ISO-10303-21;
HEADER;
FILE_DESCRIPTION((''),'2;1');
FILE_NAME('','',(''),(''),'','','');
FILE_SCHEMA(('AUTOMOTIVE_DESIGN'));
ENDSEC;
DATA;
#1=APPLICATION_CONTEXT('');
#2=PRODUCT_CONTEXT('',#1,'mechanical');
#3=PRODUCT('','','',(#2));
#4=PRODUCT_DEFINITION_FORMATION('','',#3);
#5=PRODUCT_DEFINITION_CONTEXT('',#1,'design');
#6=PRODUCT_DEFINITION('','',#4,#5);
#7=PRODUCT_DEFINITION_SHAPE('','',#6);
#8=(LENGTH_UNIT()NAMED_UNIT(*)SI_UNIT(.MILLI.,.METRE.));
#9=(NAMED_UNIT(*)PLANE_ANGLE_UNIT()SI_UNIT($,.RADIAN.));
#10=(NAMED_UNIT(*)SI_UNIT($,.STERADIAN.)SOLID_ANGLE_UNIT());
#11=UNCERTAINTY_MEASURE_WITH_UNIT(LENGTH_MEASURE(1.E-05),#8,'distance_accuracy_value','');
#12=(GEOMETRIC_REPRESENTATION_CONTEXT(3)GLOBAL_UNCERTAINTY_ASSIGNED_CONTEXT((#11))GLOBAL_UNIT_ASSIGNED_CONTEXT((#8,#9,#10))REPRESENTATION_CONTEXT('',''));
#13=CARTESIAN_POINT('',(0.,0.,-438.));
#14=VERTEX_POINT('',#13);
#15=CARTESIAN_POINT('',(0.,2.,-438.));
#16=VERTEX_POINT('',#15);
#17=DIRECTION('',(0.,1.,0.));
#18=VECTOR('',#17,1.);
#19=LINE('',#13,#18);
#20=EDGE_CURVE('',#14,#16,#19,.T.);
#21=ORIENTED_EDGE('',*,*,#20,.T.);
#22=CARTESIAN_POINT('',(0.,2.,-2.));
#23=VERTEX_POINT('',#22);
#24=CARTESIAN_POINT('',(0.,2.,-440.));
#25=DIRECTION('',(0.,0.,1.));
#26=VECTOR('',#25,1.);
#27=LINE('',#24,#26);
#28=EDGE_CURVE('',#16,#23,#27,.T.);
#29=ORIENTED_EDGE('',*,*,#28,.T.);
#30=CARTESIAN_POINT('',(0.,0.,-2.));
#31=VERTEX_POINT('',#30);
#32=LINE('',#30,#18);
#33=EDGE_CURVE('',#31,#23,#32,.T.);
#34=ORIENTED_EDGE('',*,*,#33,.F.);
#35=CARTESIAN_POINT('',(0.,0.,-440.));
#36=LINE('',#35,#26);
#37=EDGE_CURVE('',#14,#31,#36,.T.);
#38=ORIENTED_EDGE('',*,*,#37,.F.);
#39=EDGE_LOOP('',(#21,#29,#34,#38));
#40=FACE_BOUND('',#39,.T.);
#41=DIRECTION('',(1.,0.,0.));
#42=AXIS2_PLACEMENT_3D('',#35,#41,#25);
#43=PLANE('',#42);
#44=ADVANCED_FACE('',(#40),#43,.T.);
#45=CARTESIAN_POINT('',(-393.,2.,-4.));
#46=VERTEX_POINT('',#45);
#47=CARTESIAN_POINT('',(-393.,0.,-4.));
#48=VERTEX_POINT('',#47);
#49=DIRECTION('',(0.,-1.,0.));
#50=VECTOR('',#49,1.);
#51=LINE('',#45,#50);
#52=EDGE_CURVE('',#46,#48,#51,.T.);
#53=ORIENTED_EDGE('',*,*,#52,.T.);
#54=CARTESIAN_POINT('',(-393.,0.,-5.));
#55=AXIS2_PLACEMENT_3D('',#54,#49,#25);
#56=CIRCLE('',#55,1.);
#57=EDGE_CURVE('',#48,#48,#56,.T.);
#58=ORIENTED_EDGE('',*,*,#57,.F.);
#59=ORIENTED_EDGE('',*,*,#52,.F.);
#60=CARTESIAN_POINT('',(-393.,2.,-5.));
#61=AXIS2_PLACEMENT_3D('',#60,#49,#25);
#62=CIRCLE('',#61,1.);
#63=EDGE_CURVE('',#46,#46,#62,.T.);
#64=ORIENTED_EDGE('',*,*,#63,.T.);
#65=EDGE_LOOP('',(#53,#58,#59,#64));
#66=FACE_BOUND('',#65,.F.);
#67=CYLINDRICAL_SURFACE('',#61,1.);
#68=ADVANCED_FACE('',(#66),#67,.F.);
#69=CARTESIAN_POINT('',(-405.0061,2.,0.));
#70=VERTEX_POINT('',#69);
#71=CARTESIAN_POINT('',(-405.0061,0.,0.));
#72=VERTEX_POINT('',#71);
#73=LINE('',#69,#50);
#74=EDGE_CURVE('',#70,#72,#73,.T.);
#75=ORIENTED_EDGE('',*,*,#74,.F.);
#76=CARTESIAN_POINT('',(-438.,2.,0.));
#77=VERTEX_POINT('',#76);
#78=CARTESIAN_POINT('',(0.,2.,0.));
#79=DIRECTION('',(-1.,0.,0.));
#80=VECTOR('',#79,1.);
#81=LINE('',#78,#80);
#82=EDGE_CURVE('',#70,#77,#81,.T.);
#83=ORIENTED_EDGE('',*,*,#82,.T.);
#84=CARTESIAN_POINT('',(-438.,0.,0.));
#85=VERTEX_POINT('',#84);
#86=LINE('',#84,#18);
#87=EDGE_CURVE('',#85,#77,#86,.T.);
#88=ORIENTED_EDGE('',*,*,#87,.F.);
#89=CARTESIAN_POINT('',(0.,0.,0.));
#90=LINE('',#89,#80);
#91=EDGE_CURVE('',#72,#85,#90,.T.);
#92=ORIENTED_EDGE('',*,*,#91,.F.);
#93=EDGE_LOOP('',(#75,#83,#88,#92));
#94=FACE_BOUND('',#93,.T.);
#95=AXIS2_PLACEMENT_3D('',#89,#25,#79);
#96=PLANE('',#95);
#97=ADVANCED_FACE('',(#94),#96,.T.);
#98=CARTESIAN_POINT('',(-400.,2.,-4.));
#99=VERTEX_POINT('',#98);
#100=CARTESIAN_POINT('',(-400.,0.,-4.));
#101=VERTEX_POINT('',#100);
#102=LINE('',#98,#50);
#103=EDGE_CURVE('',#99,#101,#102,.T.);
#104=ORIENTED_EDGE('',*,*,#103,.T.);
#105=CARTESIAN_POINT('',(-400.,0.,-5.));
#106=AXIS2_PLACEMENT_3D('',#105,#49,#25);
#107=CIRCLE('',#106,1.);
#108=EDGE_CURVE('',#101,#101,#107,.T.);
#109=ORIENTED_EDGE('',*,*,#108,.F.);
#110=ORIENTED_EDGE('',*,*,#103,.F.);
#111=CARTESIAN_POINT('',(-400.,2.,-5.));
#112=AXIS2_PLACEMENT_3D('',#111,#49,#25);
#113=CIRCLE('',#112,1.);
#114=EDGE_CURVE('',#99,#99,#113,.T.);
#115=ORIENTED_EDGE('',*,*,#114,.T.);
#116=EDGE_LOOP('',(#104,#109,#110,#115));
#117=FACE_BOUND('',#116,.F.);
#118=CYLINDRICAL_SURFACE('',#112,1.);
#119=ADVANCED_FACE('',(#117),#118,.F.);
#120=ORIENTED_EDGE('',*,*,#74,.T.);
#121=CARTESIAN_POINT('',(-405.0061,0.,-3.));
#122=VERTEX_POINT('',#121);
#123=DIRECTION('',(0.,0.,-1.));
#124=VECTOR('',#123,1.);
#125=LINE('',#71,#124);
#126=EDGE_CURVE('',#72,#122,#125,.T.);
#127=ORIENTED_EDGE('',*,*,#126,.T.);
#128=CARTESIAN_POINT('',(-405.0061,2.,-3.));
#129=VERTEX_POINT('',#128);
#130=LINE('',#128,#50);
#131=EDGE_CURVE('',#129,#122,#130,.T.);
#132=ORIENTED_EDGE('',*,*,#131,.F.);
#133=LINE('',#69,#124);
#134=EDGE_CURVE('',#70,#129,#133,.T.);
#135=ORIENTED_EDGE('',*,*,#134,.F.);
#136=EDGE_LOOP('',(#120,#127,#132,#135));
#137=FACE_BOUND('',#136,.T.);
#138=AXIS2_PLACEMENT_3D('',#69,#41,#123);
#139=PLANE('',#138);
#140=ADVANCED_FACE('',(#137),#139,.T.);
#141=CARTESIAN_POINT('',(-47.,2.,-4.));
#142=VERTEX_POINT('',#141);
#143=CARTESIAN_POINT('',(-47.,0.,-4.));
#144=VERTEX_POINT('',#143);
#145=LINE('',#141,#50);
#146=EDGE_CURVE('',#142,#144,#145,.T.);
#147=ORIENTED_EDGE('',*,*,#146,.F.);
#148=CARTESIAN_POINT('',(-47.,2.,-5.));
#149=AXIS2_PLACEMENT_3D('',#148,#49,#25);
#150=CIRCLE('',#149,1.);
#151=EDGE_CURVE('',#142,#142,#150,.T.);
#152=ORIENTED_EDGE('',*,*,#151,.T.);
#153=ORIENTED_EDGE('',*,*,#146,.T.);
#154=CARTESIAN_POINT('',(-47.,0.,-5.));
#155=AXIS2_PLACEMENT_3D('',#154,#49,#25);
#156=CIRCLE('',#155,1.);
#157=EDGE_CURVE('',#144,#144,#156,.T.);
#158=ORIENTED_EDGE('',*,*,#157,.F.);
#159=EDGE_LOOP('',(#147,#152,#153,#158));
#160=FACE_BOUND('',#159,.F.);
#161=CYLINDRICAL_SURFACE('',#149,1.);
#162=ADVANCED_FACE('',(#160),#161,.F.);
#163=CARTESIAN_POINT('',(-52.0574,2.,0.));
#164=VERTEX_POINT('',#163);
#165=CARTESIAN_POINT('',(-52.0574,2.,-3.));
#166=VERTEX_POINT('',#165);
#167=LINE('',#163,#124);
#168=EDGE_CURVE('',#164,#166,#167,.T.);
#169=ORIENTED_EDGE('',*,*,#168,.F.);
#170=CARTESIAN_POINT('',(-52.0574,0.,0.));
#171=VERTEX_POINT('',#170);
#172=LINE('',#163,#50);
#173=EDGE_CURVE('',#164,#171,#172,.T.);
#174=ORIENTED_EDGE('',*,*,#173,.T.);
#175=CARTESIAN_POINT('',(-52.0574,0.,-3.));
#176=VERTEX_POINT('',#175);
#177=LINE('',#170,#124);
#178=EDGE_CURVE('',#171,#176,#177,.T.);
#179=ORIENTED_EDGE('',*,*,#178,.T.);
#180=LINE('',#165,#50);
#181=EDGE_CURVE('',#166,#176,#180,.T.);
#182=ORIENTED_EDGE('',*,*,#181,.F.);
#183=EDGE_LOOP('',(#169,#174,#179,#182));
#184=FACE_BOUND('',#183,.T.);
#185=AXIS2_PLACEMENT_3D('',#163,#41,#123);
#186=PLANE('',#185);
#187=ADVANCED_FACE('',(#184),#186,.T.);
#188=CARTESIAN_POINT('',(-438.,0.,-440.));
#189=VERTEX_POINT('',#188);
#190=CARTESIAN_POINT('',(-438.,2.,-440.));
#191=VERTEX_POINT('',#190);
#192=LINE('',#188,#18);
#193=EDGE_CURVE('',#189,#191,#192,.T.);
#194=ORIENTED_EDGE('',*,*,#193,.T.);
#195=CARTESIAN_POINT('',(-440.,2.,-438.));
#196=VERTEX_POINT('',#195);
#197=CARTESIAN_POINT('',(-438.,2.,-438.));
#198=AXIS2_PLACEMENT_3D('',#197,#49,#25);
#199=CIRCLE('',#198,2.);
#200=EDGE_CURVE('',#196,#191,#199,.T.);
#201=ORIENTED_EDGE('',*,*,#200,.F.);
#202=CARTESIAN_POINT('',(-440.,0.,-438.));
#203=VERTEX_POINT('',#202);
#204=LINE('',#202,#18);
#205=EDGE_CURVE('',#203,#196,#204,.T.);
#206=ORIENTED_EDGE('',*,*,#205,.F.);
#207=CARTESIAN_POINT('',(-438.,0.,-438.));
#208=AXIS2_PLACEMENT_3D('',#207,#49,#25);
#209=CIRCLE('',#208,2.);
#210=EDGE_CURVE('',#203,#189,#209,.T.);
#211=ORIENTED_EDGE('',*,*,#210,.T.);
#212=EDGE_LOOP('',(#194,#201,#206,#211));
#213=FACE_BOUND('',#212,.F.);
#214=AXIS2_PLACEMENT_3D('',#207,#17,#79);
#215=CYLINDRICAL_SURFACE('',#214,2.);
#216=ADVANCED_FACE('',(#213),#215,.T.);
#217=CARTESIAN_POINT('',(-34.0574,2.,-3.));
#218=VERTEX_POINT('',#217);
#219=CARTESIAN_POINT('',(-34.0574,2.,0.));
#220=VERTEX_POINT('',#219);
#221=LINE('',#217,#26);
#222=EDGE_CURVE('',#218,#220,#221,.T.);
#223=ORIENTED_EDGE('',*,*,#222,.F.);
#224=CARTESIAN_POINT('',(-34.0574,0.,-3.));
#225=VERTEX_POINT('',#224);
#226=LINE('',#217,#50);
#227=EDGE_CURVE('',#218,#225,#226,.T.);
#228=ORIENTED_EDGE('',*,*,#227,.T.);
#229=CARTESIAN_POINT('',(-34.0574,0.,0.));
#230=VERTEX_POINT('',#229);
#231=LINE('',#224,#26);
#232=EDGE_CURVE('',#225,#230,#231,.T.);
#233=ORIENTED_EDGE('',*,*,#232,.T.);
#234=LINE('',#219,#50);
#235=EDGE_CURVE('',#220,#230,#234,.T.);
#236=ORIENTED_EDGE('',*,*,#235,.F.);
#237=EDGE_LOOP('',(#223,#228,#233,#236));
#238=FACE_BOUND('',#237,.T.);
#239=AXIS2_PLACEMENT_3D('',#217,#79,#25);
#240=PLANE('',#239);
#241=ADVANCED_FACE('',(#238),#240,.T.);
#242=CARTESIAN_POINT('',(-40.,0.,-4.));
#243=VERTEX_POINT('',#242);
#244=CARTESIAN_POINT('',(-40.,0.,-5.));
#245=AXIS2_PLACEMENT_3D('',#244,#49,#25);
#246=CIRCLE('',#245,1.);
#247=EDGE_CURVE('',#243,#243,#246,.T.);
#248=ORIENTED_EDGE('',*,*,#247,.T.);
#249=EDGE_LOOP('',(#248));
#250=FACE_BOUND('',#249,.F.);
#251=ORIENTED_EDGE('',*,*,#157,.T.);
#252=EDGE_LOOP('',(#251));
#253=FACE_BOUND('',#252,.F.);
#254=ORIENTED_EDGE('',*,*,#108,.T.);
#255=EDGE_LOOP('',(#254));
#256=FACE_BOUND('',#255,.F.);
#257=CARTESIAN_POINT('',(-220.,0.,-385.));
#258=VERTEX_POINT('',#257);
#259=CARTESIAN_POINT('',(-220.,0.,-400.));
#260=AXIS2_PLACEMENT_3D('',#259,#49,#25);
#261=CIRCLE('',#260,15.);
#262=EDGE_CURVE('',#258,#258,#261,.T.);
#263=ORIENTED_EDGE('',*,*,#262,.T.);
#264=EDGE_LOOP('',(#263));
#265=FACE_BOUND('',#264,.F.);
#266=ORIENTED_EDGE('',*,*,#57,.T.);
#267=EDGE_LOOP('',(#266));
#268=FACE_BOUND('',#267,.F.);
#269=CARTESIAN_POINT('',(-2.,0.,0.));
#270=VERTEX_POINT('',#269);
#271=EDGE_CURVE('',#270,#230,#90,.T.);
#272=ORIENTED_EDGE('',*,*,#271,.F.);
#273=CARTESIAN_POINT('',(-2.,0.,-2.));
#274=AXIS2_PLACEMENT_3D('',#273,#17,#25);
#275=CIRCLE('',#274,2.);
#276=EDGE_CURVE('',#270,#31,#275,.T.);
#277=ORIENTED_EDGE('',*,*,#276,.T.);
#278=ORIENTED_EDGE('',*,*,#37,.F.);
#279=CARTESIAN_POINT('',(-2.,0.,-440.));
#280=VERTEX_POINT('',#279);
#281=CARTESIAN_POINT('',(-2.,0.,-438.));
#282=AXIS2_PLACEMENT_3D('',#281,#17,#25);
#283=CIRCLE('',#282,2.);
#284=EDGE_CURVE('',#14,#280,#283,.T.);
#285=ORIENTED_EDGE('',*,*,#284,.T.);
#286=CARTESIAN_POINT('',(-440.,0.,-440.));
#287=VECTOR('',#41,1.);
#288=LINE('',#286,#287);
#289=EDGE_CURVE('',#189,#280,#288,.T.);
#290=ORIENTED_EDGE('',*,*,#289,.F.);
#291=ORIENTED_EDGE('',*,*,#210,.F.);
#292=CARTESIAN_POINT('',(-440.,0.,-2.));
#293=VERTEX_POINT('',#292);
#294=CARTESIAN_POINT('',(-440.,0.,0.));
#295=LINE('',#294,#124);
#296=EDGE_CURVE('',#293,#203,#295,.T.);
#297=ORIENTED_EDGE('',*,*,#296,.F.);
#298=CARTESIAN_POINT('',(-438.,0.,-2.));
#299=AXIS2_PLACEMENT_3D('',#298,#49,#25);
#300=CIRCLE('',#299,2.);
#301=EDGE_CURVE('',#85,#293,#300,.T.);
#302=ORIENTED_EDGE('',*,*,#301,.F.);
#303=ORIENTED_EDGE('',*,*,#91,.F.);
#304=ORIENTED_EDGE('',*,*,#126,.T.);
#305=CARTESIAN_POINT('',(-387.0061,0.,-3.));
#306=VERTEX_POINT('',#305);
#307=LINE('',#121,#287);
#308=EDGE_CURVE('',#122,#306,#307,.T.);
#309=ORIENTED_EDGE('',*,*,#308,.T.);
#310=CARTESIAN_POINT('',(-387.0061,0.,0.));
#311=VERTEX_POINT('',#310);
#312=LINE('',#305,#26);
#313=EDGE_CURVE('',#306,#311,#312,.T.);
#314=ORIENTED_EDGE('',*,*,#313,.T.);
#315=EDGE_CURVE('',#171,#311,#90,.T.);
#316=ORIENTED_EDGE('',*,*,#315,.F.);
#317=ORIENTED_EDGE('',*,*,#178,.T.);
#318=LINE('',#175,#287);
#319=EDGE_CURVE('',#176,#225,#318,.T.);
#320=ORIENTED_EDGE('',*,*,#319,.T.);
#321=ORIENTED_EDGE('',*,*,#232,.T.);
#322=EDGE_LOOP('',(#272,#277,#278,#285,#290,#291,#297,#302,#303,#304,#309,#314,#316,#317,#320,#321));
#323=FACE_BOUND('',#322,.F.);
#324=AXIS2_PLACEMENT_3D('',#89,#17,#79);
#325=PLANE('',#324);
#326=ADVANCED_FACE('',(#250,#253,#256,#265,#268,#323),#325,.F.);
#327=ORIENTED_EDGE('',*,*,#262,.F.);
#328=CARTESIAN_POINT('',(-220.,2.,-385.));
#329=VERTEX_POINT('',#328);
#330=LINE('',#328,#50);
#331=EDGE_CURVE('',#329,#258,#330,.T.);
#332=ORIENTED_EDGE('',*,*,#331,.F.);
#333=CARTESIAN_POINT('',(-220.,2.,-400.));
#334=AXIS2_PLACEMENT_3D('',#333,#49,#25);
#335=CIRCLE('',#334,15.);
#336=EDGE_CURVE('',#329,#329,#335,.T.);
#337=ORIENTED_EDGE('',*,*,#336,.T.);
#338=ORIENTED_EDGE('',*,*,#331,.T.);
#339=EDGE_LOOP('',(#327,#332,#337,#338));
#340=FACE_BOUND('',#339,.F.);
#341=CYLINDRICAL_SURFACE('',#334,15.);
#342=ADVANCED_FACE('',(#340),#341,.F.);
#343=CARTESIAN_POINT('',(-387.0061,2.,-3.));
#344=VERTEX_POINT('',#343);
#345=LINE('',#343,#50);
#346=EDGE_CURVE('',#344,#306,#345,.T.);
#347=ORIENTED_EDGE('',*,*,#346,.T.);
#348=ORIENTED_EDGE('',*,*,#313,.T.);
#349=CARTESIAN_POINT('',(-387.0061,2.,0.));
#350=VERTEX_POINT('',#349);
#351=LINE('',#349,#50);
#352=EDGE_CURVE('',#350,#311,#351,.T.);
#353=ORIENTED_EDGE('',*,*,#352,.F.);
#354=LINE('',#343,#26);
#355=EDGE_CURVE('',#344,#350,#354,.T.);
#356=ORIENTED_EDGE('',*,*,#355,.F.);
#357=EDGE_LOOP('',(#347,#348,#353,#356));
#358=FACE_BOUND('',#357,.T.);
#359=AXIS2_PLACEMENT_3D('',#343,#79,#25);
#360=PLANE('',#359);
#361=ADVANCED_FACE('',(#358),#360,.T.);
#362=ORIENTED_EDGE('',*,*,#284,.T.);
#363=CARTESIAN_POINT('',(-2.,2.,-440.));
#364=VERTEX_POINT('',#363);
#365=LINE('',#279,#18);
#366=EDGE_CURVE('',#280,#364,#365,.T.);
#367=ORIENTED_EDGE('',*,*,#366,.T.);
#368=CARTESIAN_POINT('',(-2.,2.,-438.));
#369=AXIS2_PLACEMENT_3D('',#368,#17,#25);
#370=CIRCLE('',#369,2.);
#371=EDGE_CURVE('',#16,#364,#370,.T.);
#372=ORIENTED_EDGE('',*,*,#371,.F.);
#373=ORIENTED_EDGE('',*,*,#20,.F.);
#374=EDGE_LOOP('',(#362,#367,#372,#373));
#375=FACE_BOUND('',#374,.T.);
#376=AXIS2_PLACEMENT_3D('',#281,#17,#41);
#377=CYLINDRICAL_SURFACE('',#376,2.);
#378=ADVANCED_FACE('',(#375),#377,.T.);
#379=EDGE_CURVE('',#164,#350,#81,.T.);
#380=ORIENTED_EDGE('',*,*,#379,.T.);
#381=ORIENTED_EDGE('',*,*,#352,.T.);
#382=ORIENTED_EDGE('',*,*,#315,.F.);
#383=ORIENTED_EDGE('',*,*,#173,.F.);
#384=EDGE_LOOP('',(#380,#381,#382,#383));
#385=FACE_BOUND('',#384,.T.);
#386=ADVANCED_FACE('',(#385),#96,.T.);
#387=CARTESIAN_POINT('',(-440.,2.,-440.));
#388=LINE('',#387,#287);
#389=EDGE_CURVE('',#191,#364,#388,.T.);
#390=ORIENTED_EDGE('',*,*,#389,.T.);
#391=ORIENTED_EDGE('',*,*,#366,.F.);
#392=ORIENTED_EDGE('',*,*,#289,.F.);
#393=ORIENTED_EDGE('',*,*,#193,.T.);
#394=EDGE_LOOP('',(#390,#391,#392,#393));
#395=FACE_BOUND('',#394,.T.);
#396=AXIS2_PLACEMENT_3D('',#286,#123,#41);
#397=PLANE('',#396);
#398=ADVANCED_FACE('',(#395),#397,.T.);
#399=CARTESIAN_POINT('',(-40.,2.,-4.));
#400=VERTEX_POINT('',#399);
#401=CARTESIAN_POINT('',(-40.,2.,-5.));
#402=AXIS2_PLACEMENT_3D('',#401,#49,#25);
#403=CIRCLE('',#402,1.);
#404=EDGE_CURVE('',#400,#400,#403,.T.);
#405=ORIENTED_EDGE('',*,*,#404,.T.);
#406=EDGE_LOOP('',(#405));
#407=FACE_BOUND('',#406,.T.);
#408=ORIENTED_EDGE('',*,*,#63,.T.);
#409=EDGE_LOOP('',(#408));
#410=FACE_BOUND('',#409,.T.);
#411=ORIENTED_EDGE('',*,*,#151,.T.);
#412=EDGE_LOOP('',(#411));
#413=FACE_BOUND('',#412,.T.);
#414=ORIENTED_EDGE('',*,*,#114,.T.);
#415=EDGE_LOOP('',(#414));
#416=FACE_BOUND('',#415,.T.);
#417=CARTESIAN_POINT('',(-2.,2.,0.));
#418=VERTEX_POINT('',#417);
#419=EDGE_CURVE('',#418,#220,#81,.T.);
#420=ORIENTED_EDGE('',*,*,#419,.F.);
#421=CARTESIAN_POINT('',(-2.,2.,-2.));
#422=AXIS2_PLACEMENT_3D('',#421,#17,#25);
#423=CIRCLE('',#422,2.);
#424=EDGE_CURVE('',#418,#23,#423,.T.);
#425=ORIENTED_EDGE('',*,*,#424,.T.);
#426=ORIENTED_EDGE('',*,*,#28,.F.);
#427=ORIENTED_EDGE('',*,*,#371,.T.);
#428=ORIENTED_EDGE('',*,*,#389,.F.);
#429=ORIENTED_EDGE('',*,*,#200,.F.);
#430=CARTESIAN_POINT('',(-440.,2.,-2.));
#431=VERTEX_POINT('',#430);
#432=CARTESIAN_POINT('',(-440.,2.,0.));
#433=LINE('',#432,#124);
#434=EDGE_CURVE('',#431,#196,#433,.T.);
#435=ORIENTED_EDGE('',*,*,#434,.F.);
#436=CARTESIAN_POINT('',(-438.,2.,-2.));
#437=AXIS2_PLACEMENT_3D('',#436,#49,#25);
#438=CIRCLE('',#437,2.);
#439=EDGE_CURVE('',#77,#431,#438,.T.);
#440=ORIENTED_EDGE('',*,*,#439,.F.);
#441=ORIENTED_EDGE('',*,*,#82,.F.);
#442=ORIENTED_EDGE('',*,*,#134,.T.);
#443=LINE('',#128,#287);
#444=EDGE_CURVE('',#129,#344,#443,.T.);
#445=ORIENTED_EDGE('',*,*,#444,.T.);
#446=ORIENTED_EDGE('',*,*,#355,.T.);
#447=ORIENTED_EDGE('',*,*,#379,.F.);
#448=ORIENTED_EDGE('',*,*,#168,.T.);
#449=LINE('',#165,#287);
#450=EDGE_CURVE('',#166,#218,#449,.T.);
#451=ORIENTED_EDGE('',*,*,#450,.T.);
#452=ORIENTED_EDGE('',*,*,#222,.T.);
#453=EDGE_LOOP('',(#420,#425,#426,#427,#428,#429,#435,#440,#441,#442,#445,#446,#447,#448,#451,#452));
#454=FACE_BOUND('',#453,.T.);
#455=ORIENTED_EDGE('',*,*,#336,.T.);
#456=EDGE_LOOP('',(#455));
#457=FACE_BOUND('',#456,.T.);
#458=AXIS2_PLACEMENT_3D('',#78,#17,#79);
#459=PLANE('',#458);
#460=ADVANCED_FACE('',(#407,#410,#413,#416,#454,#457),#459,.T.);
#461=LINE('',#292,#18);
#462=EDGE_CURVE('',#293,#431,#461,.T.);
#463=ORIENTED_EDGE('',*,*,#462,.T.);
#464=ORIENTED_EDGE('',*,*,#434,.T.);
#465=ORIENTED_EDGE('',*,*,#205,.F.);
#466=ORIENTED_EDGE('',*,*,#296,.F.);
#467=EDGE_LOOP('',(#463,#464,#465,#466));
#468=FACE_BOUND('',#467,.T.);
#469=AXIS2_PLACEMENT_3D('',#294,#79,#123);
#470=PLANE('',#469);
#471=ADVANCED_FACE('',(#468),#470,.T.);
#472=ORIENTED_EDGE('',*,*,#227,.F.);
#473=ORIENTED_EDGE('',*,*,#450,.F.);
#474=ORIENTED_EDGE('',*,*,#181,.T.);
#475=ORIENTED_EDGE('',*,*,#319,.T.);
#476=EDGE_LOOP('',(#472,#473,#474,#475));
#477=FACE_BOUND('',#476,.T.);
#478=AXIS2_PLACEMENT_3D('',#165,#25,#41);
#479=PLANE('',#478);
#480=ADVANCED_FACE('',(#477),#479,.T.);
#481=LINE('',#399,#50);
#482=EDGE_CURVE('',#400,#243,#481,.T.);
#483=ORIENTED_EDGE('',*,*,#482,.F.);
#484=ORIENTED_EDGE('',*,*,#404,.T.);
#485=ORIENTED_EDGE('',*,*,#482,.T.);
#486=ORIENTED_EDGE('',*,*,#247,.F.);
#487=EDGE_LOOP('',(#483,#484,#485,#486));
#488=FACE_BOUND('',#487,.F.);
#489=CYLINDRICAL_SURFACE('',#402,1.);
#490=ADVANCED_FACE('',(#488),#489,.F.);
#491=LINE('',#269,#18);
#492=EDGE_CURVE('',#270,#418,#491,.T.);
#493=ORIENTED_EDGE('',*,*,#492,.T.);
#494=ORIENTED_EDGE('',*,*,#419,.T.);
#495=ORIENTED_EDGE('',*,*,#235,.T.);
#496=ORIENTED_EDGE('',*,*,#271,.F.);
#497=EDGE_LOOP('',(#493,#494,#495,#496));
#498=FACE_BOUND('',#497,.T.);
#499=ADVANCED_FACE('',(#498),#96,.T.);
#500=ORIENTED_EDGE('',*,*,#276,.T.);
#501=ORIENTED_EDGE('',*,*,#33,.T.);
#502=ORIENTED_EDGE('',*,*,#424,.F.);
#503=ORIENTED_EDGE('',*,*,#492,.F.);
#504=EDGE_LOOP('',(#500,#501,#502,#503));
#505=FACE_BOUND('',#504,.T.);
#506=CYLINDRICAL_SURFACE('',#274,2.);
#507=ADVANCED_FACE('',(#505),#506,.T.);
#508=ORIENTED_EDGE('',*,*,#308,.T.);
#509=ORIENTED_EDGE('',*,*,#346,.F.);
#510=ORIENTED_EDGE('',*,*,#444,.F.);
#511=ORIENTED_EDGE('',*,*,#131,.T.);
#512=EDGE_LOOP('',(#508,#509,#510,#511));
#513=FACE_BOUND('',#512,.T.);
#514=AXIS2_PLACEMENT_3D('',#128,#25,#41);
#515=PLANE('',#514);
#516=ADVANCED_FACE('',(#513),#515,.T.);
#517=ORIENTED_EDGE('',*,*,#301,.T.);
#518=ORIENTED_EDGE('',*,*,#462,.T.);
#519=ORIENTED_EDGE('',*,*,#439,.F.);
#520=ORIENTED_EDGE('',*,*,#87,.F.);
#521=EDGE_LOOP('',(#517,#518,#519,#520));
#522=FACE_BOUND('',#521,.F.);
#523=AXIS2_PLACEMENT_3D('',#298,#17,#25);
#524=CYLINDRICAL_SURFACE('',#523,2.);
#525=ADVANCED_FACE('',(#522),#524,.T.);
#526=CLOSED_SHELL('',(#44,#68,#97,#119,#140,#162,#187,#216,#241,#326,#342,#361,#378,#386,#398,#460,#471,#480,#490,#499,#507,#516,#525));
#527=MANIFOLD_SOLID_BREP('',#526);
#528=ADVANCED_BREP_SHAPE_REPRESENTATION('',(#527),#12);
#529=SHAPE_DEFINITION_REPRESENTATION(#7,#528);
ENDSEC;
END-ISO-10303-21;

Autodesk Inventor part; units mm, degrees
ref_plane "YZ Plane" through (0, 0, 0) normal (1, 0, 0) x (0, 1, 0)
ref_plane "XZ Plane" through (0, 0, 0) normal (0, 1, 0) x (-1, 0, 0)
ref_plane "XY Plane" through (0, 0, 0) normal (0, 0, 1) x (1, 0, 0)
sketch "Esboço1" plane through (0, 0, 0) normal (0, 1, 0) x (-1, 0, 0)
  line L0 (0, 0) -> (440, 0)
  line L1 (440, 0) -> (440, -440)
  line L2 (440, -440) -> (0, -440)
  line L3 (0, -440) -> (0, 0)
  dimension "d0" = 440
  dimension "d1" = 440
extrude "Extrusão1" add sketch "Esboço1" along normal blind 2
sketch "Esboço2" plane through (0, 2, 0) normal (0, 1, 0) x (1, 0, 0)
  point P0 (0, 0)
  point P1 (-40, 5)
  point P2 (-47, 5)
  point P3 (-400, 5)
  point P4 (-393, 5)
hole "Furo1" at (-40, 2, -5) at (-47, 2, -5) at (-400, 2, -5) at (-393, 2, -5) direction (0, -1, 0) diameter 2 end through all
fillet "Arredondamento1" radius 2 4 edges at (0, 1, -440) (-440, 1, -440) (-440, 1, 0) (0, 1, 0)
sketch "Esboço3" plane through (0, 2, 0) normal (0, 1, 0) x (1, 0, 0)
  point P0 (0, 0)
  point P1 (-220, 400)
hole "Furo2" at (-220, 2, -400) direction (0, -1, 0) diameter 30 end through all
sketch "Esboço4" plane through (0, 2, 0) normal (0, 1, 0) x (1, 0, 0)
  line L0 (-438, 0) -> (-2, 0) projected
  line L1 (-34.0574, 0) -> (-52.0574, 0)
  line L2 (-52.0574, 0) -> (-52.0574, 3)
  line L3 (-52.0574, 3) -> (-34.0574, 3)
  line L4 (-34.0574, 3) -> (-34.0574, 0)
  line L5 (-387.0061, 0) -> (-405.0061, 0)
  line L6 (-405.0061, 0) -> (-405.0061, 3)
  line L7 (-405.0061, 3) -> (-387.0061, 3)
  line L8 (-387.0061, 3) -> (-387.0061, 0)
  point P0 (0, 0)
  dimension "d19" = 18
  dimension "d20" = 3
  dimension "d21" = 18
  dimension "d22" = 3
extrude "Extrusão2" cut sketch "Esboço4" against normal blind 2
properties part number "porta" material "Acrílico"
